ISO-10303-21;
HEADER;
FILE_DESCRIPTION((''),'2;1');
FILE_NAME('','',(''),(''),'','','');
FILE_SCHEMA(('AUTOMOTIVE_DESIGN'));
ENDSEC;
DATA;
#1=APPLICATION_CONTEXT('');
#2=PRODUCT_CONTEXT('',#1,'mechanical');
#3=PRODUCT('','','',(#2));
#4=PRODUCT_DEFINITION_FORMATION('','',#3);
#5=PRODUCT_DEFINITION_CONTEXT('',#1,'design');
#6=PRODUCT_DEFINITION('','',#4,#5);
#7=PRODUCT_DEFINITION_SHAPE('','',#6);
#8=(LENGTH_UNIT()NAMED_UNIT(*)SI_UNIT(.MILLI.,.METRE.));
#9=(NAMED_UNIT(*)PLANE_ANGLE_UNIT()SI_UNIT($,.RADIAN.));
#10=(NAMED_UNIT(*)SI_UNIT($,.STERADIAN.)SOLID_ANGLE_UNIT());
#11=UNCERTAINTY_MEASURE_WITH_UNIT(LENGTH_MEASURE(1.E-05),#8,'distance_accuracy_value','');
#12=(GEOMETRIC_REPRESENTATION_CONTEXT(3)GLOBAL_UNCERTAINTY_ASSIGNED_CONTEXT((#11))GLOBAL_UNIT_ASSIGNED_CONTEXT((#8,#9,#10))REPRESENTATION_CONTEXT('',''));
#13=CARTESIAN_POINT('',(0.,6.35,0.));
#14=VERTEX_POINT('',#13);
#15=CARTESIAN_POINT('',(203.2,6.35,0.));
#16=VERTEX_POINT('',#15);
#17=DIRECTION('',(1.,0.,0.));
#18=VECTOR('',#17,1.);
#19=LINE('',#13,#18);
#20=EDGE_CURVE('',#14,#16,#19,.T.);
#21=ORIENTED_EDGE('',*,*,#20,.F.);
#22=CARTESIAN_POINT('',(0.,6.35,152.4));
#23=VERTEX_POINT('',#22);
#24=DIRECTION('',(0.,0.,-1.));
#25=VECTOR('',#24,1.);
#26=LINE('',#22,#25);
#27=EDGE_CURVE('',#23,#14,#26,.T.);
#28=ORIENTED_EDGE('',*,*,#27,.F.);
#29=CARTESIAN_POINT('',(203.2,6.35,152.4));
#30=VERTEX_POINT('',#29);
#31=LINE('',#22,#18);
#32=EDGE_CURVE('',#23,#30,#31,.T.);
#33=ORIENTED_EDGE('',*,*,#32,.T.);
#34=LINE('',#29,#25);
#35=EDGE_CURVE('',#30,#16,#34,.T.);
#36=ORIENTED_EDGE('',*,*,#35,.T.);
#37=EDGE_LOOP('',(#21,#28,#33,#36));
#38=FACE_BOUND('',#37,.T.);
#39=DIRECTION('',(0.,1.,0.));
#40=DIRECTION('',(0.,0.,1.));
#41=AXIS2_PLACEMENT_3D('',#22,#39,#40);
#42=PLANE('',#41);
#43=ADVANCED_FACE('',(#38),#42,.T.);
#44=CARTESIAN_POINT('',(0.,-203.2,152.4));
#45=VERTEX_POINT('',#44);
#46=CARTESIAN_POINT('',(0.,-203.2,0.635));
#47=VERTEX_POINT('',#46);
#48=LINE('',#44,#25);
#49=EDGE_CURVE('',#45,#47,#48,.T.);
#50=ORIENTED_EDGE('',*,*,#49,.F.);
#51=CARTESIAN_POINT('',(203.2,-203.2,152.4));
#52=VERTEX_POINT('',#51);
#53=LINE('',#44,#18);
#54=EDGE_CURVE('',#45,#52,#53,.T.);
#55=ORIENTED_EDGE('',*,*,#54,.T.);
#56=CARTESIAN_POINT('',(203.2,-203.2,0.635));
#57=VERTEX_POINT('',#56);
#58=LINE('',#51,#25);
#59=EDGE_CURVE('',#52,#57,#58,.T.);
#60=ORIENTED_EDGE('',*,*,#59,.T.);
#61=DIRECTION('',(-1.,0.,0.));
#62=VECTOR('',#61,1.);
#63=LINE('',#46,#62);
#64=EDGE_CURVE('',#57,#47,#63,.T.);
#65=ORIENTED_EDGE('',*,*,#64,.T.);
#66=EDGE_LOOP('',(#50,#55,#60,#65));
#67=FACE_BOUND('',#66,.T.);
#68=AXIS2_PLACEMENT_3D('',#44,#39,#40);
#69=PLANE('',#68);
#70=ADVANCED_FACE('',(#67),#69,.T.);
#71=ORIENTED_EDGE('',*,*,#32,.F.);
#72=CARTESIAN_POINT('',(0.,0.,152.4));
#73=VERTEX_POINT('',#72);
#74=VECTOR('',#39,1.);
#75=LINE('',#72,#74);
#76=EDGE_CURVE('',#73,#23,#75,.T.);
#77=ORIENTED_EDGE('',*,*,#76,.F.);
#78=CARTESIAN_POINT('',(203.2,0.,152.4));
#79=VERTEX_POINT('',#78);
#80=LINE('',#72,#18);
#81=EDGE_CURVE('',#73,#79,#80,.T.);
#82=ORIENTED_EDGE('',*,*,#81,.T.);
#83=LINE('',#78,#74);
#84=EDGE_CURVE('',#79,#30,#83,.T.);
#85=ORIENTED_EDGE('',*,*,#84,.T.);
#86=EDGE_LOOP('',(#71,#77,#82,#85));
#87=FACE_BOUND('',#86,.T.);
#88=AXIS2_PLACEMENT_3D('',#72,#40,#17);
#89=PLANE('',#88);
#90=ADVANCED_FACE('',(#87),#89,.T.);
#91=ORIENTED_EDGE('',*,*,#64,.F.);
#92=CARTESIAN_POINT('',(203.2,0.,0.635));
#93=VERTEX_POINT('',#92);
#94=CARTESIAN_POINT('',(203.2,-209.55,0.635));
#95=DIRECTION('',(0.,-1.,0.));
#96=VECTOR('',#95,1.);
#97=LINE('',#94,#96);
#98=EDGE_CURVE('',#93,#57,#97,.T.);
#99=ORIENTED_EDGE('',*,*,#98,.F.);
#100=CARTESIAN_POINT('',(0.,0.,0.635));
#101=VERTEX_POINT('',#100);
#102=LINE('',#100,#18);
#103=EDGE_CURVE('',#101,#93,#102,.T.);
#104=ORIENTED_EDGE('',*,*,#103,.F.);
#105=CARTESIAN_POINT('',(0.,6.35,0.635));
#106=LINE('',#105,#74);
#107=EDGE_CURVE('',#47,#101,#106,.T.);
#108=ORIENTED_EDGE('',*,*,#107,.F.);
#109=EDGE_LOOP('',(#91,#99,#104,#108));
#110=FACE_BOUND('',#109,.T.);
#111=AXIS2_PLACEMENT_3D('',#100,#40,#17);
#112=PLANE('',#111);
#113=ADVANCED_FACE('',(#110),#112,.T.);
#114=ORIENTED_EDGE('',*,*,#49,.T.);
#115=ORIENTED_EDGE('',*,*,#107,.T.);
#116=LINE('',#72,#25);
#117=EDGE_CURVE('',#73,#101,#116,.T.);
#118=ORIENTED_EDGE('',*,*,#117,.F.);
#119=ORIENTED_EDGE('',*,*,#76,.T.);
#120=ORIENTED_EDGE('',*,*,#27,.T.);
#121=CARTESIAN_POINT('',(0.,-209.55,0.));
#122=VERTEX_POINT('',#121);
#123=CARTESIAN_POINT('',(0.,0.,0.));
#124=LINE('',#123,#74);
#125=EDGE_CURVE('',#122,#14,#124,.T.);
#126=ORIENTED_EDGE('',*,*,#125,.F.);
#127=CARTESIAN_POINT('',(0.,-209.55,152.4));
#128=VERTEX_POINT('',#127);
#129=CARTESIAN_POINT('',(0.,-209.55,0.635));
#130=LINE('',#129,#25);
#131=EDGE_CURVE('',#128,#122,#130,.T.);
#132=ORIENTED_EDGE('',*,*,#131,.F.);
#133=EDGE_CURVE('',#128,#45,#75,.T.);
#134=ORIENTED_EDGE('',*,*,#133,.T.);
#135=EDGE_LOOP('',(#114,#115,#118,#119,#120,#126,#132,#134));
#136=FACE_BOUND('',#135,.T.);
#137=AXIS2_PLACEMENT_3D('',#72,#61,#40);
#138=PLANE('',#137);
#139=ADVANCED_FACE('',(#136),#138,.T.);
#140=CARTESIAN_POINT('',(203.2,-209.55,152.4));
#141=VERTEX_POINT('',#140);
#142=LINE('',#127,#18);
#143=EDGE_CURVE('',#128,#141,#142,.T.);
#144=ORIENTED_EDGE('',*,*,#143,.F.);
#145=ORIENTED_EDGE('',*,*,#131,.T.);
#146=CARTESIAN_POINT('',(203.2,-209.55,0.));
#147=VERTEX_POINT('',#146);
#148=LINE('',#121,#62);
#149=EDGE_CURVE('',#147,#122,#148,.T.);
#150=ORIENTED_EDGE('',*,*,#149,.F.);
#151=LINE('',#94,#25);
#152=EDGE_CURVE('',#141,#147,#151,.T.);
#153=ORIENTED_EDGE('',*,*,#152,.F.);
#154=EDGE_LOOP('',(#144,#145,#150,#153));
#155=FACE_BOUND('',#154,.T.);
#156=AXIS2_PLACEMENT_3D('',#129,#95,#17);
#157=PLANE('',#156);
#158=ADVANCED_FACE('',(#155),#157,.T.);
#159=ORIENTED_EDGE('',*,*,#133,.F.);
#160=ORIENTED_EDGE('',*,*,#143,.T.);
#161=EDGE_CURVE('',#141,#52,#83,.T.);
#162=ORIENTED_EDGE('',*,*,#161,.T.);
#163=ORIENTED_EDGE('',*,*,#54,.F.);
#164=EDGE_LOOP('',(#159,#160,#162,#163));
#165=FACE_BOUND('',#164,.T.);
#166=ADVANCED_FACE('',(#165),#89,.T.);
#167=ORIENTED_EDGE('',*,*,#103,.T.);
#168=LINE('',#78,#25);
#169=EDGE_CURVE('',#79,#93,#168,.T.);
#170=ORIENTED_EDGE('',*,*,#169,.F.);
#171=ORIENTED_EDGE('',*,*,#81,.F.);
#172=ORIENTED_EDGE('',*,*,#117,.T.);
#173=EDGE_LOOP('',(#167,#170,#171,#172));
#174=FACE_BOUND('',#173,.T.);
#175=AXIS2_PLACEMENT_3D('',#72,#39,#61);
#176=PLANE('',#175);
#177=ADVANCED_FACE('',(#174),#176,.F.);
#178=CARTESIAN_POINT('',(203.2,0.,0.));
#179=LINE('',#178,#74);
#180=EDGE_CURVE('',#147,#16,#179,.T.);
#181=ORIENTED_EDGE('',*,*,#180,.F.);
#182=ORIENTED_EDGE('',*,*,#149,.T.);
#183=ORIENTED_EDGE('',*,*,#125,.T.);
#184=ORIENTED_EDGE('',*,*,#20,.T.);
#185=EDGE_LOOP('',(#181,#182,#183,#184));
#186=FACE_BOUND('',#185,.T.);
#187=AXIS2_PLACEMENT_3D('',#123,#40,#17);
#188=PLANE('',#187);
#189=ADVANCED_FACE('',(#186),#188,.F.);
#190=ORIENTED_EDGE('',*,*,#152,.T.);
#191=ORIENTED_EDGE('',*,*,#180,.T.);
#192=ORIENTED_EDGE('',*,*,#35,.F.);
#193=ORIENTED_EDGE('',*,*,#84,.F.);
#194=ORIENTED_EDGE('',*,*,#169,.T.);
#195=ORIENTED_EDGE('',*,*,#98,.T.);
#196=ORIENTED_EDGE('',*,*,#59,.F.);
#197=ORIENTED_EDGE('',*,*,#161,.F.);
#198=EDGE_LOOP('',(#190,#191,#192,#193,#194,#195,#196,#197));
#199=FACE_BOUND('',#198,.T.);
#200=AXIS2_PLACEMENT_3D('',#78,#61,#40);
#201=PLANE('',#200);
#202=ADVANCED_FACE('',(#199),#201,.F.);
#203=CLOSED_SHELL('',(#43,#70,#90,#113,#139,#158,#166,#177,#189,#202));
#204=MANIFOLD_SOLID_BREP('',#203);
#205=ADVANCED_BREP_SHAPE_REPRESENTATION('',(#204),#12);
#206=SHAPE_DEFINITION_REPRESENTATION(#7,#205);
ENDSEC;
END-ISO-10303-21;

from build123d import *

# Parameters (mm, degrees)
SKETCH1_W             = 203.2
SKETCH1_H             = 6.35
BOSS_EXTRUDE1_DEPTH   = 152.4
BOSS_EXTRUDE1_2_DEPTH = 152.4
SKETCH3_W             = 203.2
SKETCH3_H             = 215.9
BOSS_EXTRUDE2_DEPTH   = 0.635


with BuildPart() as part:
    # Sketch1 → Boss-Extrude1 (new body)
    with BuildSketch(Plane.XY):
        with Locations((101.6, 3.175)):
            Rectangle(SKETCH1_W, SKETCH1_H)
    extrude(amount=BOSS_EXTRUDE1_DEPTH)



with BuildPart() as body_2:
    # Sketch1 → Boss-Extrude1 2 (new body)
    with BuildSketch(Plane.XY):
        with Locations((101.6, -206.375)):
            Rectangle(SKETCH1_W, SKETCH1_H)
    extrude(amount=BOSS_EXTRUDE1_2_DEPTH)


with BuildPart() as part_1:
    add(part.part)

    add(body_2.part)  # Boss-Extrude2 merges body 2
    # Sketch3 → Boss-Extrude2 (add)
    with BuildSketch(Plane(origin=(0, 0, 0), x_dir=(-1, 0, 0), z_dir=(0, 0, -1))):
        with Locations((-101.6, -101.6)):
            Rectangle(SKETCH3_W, SKETCH3_H)
    extrude(amount=-BOSS_EXTRUDE2_DEPTH)


solid = part_1.part
